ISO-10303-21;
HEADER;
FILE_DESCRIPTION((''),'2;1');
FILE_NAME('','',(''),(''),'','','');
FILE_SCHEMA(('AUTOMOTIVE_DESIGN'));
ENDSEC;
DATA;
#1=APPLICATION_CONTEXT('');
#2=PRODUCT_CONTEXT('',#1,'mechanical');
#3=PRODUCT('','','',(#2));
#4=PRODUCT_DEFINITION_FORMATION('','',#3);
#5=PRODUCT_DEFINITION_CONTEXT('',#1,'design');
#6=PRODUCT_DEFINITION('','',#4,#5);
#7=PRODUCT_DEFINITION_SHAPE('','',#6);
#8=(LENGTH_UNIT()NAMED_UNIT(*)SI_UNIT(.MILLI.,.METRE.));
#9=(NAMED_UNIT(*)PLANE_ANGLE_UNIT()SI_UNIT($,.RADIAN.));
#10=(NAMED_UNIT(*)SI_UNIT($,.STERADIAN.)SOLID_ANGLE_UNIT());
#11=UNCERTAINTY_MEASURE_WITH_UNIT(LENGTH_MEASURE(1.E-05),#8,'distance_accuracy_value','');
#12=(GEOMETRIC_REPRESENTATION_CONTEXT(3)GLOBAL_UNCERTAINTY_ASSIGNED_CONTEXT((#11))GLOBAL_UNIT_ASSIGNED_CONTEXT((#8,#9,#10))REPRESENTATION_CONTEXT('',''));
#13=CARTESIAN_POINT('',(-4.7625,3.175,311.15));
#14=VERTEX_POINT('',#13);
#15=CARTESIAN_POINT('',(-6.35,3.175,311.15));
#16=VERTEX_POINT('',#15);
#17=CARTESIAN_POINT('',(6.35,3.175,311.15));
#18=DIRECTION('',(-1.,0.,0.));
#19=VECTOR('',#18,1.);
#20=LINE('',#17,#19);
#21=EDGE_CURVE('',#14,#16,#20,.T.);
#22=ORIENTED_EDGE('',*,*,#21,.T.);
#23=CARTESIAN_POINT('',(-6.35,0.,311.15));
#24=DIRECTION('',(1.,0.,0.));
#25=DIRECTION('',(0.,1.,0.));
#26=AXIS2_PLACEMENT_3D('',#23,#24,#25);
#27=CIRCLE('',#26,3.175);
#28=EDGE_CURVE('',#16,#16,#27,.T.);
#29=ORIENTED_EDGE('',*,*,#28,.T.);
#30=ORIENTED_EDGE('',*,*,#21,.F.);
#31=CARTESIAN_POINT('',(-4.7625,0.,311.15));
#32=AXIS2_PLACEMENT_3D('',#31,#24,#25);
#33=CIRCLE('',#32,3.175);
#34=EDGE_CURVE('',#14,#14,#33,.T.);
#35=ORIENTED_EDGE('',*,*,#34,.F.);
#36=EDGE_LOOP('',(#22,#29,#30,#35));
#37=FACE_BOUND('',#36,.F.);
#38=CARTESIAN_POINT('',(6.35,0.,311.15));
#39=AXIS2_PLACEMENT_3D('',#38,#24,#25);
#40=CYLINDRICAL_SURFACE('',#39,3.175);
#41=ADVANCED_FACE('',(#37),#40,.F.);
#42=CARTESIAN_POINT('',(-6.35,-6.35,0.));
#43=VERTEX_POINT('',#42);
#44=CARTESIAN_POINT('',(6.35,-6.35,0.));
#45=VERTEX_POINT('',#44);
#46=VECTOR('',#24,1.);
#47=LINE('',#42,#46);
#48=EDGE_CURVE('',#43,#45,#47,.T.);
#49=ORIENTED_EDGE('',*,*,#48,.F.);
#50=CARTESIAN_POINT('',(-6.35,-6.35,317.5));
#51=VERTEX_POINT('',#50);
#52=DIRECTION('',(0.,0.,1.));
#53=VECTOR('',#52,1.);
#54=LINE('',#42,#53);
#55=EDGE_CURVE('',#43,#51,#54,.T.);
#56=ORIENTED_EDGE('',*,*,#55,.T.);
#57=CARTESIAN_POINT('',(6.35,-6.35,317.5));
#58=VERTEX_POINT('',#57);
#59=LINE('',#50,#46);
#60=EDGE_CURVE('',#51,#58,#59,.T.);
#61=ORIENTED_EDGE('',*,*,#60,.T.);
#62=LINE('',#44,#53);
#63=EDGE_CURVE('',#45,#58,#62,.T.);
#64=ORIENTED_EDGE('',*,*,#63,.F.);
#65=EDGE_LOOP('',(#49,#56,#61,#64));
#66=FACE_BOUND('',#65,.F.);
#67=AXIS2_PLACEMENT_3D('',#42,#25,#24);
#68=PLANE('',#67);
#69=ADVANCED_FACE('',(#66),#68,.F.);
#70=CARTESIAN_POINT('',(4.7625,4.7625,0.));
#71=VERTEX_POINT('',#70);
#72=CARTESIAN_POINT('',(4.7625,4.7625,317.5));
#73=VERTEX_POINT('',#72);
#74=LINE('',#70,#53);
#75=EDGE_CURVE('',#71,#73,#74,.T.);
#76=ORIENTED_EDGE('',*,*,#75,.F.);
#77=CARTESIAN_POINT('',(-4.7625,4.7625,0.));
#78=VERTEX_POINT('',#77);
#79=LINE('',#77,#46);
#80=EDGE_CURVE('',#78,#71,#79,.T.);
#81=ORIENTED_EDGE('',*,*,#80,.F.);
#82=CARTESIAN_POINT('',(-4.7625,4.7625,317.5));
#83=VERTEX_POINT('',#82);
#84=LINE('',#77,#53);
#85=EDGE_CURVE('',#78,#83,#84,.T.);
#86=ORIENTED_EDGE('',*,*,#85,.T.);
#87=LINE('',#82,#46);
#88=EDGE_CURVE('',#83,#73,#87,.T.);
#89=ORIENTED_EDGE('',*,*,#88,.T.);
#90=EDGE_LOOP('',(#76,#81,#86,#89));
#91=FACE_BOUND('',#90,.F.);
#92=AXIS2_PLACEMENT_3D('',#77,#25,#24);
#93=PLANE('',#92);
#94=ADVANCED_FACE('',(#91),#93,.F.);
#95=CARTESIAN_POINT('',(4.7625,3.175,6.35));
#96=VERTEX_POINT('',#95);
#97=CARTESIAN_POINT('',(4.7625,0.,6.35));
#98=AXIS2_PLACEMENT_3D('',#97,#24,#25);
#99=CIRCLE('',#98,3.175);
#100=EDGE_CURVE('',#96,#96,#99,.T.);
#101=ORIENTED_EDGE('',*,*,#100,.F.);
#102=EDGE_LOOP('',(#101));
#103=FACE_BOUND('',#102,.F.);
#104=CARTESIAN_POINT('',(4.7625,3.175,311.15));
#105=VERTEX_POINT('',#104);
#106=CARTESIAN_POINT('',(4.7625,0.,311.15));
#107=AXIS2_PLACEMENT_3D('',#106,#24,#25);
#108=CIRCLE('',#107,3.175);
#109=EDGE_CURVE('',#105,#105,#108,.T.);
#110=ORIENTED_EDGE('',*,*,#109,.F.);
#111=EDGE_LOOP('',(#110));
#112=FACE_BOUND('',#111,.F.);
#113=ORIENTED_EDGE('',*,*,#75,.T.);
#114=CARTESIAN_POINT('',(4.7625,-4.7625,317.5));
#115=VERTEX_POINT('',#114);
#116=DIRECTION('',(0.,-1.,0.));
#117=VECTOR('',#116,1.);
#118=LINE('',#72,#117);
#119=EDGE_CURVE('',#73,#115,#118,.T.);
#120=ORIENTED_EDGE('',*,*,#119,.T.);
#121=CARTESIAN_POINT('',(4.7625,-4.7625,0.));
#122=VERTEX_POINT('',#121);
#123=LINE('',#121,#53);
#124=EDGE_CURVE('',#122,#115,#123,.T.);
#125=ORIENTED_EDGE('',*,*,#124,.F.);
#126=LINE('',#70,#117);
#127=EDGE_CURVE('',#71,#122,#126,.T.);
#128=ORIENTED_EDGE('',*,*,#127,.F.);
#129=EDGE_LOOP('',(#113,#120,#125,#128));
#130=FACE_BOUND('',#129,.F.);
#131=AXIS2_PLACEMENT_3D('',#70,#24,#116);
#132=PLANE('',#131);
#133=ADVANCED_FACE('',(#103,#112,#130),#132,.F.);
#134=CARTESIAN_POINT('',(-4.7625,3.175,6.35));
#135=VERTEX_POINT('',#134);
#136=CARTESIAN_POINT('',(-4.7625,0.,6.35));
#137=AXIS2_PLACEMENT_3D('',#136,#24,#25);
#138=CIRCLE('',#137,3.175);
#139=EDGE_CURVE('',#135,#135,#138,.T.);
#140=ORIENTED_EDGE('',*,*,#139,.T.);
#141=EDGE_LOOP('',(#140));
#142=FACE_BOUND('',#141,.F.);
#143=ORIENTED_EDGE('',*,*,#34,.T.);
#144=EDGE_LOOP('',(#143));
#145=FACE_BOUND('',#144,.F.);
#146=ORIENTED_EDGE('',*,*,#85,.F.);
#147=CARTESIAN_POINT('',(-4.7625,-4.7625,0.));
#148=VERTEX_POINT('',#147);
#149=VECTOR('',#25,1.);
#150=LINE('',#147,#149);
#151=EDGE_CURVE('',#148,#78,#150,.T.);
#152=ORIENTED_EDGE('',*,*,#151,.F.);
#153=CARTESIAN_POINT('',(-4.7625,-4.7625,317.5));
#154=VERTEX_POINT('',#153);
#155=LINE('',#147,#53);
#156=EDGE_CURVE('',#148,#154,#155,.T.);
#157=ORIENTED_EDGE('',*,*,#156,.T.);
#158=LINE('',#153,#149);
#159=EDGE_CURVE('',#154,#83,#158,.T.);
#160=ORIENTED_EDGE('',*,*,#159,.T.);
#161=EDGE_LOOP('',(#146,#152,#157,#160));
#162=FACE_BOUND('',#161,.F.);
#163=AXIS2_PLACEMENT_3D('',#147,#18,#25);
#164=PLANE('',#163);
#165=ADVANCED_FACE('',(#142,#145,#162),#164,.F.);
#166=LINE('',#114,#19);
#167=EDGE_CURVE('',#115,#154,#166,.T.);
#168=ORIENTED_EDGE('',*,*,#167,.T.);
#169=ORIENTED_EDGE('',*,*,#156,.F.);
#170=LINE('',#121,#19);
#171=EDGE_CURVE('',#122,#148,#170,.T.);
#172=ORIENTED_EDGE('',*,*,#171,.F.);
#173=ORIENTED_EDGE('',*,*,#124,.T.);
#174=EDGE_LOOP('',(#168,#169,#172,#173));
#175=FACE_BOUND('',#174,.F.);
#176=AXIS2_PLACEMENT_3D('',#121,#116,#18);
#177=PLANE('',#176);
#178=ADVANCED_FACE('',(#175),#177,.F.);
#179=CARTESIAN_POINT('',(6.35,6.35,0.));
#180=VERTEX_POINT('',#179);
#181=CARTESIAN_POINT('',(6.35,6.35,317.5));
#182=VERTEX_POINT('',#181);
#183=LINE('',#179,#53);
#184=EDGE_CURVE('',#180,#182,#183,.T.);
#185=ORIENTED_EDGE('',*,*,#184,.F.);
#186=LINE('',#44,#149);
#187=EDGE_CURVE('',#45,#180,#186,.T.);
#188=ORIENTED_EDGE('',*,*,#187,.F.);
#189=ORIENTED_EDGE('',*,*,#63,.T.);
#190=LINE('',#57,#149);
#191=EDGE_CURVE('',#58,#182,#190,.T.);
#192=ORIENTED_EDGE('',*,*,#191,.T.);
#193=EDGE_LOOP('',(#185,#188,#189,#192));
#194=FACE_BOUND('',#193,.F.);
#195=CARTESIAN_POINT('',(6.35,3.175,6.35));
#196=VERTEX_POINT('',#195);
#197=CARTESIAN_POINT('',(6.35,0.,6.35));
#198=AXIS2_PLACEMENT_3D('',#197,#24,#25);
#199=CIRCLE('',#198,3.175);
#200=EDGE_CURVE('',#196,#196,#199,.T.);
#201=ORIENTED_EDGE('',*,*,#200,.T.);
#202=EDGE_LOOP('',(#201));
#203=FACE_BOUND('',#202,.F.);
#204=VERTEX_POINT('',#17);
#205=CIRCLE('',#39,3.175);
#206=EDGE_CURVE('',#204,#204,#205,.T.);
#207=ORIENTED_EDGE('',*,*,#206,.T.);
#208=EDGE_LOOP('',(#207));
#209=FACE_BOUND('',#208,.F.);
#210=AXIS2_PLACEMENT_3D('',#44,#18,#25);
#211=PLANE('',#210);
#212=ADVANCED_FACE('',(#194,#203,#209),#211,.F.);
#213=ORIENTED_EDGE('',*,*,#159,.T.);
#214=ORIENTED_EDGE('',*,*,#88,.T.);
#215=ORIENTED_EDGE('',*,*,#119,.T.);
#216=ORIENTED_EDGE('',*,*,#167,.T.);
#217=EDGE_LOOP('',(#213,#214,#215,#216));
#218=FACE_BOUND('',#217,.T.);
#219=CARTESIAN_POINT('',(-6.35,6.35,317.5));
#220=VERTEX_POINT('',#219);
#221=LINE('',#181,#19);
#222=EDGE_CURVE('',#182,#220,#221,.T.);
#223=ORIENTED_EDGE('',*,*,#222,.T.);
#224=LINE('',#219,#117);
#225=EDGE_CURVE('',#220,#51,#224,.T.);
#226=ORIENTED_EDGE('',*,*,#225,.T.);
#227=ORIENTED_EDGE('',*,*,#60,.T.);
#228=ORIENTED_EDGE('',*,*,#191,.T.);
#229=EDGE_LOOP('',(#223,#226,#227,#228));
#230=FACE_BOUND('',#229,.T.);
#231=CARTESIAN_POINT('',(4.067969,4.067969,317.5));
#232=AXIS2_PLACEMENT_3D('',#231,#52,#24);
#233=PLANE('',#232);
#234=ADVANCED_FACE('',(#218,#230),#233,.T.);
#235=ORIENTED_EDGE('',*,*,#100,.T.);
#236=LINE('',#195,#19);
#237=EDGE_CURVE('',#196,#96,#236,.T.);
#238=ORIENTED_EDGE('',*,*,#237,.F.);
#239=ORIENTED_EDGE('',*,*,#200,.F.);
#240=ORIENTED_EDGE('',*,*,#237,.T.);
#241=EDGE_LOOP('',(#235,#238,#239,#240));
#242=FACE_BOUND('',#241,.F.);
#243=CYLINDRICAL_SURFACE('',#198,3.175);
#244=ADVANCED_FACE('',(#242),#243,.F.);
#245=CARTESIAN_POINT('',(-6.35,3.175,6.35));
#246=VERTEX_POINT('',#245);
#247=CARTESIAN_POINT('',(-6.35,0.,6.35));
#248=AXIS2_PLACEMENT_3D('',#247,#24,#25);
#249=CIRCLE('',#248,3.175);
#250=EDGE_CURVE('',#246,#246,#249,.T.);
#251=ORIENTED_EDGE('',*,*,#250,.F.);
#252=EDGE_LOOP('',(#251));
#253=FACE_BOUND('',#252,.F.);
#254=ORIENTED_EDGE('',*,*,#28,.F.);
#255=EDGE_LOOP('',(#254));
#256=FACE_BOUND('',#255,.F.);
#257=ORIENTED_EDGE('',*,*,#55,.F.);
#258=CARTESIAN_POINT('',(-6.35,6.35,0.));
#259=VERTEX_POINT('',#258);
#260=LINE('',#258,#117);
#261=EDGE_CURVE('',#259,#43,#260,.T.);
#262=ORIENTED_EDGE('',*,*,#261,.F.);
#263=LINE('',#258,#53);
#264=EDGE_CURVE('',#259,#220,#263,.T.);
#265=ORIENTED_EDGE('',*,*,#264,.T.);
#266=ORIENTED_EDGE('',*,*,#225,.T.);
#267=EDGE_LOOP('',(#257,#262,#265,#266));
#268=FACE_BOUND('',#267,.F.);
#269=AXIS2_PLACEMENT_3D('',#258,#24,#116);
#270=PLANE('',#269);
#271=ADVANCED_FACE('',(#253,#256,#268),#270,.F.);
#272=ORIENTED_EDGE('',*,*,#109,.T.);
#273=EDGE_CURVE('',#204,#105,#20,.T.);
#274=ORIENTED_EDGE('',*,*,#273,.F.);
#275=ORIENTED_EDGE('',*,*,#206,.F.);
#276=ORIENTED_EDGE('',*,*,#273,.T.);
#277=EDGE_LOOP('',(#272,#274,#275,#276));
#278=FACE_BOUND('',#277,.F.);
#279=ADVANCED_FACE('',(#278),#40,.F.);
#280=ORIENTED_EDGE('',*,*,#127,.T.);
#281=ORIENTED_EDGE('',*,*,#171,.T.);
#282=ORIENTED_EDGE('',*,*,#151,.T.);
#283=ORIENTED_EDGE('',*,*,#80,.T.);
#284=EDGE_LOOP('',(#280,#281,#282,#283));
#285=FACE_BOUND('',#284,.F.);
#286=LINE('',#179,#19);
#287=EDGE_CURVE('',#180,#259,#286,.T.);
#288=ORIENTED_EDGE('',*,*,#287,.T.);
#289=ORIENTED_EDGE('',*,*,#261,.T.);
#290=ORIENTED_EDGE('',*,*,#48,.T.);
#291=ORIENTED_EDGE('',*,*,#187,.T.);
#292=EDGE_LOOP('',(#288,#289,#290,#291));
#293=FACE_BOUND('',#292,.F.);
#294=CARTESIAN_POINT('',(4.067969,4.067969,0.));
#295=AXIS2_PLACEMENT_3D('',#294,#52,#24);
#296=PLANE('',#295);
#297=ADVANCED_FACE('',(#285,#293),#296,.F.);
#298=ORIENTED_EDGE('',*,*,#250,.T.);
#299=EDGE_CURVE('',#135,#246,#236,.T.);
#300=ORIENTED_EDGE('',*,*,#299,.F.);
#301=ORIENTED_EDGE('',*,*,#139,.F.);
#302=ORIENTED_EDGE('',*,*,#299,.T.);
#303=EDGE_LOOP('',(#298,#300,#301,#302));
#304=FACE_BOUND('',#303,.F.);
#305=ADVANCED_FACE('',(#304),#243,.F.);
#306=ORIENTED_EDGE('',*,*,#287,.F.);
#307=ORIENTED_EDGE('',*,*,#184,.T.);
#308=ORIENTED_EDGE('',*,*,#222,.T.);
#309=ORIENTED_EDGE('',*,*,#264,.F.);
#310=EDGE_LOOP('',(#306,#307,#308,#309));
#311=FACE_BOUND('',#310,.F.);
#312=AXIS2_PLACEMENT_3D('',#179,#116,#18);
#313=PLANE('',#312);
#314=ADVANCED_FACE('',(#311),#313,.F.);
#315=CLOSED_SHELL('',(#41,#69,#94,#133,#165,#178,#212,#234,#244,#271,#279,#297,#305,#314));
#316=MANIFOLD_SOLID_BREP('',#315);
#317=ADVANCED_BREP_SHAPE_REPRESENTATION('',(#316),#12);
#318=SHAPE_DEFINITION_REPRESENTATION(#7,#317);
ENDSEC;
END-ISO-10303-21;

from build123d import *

# Parameters (mm, degrees)
F1_DEPTH = 317.5
F2_R     = 3.175
F3_DEPTH = 12.701


with BuildPart() as f1:
    # F0 (on Top) → F1 (new body)
    with BuildSketch(Plane.XY):
        Polygon((0, 4.7625), (4.7625, 4.7625), (4.7625, 0), (6.35, 0), (6.35, 6.35), (0, 6.35), align=None)
        Polygon((-4.7625, 4.7625), (0, 4.7625), (0, 6.35), (-6.35, 6.35), (-6.35, -6.35), (6.35, -6.35), (6.35, 0), (4.7625, 0), (4.7625, -4.7625), (-4.7625, -4.7625), align=None)
    extrude(amount=F1_DEPTH)

    # F2 (on face) → F3 (cut, through all)
    with BuildSketch(Plane.YZ.offset(6.35)):
        with Locations((0, 6.35)):
            Circle(F2_R)
        with Locations((0, 311.15)):
            Circle(F2_R)
    extrude(amount=-F3_DEPTH, mode=Mode.SUBTRACT)


solid = f1.part
